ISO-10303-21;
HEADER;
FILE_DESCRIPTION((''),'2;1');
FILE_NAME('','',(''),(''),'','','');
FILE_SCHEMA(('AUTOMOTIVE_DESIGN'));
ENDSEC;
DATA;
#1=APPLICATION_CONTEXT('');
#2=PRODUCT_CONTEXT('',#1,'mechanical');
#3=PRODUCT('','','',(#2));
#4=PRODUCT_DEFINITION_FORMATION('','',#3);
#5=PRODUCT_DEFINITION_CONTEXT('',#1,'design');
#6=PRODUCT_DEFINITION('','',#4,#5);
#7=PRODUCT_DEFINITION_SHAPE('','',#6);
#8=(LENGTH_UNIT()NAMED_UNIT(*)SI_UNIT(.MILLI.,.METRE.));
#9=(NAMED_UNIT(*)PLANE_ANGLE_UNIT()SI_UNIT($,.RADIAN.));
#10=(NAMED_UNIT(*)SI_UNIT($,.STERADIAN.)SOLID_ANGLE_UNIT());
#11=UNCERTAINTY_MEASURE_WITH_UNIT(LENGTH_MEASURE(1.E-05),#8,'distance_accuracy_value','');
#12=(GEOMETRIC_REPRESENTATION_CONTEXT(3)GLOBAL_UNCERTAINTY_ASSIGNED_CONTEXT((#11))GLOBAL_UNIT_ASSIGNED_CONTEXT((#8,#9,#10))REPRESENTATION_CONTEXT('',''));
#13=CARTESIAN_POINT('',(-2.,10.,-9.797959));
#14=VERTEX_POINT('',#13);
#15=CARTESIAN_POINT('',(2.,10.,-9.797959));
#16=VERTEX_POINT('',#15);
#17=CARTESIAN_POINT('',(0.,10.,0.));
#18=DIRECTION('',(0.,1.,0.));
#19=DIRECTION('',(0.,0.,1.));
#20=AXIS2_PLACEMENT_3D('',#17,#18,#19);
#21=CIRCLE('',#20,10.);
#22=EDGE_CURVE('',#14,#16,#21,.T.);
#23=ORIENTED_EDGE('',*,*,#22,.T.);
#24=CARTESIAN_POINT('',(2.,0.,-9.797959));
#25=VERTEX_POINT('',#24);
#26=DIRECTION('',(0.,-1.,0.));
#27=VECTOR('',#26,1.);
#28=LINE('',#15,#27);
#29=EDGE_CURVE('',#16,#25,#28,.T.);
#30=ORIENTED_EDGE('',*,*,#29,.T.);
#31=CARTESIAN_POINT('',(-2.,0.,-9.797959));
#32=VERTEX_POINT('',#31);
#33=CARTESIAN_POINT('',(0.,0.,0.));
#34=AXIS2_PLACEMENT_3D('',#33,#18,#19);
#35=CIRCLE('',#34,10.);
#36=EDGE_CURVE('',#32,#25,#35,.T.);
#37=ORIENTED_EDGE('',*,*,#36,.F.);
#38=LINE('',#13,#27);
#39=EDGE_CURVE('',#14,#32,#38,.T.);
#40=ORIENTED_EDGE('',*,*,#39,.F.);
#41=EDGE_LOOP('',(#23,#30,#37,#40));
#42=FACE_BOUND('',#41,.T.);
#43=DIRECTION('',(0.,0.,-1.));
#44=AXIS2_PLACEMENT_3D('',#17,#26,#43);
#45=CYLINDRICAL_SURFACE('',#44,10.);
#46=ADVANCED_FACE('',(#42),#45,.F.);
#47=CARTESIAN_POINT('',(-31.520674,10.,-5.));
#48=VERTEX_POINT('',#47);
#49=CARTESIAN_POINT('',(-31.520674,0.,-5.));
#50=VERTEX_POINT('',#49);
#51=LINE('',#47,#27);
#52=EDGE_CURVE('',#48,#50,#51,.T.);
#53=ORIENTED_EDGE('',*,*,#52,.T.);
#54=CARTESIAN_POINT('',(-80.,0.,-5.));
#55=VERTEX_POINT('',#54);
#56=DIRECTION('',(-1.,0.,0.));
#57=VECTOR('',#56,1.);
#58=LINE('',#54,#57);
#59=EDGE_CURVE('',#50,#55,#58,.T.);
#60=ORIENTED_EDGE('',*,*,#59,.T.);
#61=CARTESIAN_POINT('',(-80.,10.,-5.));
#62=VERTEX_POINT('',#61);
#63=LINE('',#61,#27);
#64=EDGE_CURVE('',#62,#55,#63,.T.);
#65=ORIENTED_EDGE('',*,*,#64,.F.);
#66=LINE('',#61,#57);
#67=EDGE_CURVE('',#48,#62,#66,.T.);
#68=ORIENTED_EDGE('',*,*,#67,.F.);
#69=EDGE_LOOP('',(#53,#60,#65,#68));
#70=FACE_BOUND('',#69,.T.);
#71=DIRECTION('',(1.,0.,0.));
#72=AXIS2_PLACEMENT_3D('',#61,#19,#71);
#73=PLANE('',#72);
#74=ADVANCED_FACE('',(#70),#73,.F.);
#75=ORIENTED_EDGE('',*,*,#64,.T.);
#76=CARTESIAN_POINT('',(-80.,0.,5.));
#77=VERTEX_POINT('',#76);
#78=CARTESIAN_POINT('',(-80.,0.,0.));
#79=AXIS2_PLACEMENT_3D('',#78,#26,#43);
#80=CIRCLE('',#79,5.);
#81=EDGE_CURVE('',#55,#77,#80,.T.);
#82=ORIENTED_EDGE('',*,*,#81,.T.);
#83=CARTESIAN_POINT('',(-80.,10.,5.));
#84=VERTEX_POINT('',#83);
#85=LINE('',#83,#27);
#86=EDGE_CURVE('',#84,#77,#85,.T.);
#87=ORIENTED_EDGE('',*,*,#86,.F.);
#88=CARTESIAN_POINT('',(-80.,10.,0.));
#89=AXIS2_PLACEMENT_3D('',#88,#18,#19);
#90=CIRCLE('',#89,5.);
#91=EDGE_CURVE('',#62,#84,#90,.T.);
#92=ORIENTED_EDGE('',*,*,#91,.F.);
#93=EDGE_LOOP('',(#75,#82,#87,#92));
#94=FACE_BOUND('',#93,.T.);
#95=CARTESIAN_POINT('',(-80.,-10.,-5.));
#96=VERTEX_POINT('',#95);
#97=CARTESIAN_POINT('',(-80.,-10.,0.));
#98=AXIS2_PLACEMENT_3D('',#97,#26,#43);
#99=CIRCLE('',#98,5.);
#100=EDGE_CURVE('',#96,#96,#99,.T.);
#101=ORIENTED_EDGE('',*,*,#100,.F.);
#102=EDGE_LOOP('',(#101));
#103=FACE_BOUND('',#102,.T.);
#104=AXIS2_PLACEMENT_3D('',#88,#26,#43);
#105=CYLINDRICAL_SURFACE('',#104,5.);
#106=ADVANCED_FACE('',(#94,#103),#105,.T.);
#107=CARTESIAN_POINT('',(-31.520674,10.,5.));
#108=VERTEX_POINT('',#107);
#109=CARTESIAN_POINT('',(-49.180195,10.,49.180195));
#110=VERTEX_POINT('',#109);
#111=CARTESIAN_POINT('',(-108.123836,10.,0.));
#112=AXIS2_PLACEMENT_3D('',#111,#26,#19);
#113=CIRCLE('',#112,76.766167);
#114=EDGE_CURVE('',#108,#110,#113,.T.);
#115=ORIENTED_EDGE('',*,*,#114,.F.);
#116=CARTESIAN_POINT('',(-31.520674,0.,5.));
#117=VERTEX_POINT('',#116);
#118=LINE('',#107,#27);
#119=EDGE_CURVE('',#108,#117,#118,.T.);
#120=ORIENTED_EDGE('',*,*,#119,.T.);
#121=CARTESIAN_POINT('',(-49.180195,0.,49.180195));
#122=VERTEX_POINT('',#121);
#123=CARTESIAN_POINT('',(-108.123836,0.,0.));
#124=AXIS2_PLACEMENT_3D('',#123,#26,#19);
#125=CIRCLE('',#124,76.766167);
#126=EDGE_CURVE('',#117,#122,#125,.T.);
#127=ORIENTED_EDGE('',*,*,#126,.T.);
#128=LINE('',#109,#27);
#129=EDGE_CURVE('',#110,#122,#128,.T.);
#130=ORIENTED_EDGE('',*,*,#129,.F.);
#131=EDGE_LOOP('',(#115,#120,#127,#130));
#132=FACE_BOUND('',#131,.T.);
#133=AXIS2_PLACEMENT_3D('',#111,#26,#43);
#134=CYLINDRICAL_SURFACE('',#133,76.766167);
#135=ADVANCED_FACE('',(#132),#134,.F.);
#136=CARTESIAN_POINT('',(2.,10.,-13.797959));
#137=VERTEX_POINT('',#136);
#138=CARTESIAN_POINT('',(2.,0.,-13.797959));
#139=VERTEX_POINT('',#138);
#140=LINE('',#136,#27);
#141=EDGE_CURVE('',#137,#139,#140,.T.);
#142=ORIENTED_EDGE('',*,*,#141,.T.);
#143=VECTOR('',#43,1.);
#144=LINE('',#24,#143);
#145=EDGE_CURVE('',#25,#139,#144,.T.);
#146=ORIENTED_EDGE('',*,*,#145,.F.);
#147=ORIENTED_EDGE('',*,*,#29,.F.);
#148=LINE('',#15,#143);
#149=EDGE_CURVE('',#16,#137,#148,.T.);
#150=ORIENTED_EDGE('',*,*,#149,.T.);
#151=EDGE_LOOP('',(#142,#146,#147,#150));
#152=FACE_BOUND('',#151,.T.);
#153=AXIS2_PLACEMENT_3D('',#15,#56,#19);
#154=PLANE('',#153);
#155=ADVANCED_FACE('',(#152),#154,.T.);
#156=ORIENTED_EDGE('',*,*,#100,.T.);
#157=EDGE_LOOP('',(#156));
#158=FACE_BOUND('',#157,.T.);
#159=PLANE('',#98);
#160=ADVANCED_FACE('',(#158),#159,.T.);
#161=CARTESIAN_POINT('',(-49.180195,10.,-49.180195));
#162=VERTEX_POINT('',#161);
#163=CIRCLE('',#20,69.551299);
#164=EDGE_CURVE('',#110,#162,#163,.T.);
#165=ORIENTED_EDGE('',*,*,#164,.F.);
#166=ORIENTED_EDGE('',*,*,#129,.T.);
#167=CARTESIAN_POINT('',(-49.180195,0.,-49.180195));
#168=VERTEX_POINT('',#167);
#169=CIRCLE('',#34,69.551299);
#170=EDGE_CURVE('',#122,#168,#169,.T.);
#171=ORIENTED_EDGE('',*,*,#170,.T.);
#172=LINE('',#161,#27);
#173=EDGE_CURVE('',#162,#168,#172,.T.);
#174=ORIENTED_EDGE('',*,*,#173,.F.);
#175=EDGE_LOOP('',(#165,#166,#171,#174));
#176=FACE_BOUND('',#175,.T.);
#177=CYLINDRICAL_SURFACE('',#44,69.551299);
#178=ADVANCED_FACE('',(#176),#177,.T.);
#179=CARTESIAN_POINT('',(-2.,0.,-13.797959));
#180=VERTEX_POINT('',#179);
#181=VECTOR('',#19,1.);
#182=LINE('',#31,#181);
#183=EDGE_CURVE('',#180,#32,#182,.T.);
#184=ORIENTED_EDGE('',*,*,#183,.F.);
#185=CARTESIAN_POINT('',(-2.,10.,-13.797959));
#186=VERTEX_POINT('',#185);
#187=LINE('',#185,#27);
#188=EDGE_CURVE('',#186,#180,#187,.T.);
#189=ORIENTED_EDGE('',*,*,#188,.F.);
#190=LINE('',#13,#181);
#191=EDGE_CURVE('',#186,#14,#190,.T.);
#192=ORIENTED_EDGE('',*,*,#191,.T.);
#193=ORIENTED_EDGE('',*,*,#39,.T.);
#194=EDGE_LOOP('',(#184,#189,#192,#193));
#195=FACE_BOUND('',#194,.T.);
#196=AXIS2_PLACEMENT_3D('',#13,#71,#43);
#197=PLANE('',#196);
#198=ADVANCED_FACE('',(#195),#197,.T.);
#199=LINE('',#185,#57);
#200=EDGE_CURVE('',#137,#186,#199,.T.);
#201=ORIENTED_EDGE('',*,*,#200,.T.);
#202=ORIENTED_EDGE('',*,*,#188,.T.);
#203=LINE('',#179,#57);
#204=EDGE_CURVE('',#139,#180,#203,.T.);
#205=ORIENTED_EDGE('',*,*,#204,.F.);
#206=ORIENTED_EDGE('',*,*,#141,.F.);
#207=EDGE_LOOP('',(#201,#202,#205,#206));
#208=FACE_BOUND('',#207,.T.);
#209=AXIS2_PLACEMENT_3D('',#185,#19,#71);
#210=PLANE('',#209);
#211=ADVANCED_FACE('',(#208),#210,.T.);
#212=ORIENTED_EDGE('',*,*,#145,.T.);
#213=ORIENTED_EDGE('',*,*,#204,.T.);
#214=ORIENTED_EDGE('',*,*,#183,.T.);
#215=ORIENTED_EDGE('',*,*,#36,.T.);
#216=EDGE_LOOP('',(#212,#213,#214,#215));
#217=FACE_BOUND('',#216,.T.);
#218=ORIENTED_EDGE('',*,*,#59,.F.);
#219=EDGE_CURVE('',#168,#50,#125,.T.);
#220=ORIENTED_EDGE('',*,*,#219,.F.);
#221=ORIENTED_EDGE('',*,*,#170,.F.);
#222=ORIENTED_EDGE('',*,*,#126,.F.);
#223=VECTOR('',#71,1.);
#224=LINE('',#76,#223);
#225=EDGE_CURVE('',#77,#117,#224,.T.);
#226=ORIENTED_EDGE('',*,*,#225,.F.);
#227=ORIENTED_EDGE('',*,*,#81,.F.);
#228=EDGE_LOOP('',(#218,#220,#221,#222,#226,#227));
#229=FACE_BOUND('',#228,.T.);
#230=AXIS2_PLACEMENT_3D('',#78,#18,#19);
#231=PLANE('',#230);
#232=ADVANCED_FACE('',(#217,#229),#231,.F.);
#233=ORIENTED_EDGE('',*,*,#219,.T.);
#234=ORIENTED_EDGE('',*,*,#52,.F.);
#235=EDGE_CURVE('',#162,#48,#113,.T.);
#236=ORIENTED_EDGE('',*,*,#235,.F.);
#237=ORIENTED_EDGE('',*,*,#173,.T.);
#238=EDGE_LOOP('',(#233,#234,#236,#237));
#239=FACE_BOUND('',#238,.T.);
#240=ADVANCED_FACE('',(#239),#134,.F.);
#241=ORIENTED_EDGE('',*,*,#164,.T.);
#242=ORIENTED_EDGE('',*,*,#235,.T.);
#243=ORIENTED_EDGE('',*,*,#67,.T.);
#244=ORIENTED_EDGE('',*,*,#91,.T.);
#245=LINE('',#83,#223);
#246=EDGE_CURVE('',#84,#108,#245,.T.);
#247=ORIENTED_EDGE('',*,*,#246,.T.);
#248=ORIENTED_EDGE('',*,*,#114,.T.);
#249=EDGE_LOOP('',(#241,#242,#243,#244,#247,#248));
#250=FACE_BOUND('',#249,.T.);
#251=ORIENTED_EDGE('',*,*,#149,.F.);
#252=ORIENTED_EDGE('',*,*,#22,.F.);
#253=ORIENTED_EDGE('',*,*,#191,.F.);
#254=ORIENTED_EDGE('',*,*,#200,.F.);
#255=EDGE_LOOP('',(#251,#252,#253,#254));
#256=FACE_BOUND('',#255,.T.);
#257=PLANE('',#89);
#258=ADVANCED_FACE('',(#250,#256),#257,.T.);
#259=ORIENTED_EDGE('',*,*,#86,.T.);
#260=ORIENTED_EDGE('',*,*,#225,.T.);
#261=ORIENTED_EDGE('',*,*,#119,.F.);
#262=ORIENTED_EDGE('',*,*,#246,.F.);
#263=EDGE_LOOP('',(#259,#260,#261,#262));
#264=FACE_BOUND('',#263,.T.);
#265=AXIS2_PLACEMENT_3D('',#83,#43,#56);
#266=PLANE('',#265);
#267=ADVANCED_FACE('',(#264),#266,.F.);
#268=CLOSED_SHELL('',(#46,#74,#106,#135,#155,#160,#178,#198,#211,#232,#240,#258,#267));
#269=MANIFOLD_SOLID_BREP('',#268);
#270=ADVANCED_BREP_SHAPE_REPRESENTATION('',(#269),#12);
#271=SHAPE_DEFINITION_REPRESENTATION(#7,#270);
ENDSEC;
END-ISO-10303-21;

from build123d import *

# Parameters (mm, degrees)
EXTRUDE_1_DEPTH = 10
EXTRUDE_START   = 10
SKETCH_2_R      = 5
EXTRUDE_2_DEPTH = 10


with BuildPart() as part:
    # 草图1 → 凸台-拉伸1 (new body)
    with BuildSketch(Plane(origin=(0, 0, 0), x_dir=(1, 0, 0), z_dir=(0, 1, 0))):
        with BuildLine():
            Line((-80, 5), (-31.520674237, 5))
            ThreePointArc((-31.520674237, 5), (-36.841255051, 28.492771834), (-49.180194883, 49.180194883))
            ThreePointArc((-49.180194883, 49.180194883), (69.551298604, 0), (-49.180194883, -49.180194883))
            ThreePointArc((-49.180194883, -49.180194883), (-36.841255051, -28.492771834), (-31.520674237, -5))
            Line((-31.520674237, -5), (-80, -5))
            ThreePointArc((-80, -5), (-85, 0), (-80, 5))
        make_face()
        with BuildLine():
            Line((-2, 9.797958971), (-2, 13.797958971))
            Line((-2, 13.797958971), (2, 13.797958971))
            Line((2, 13.797958971), (2, 9.797958971))
            ThreePointArc((2, 9.797958971), (0, -10), (-2, 9.797958971))
        make_face(mode=Mode.SUBTRACT)
    extrude(amount=EXTRUDE_1_DEPTH)

    # 草图2 → 凸台-拉伸2 (add)
    with BuildSketch(Plane.XZ.offset(EXTRUDE_START)):
        with Locations(Location((-80, 0, 0), (0, 0, 270))):
            Circle(SKETCH_2_R)
    extrude(amount=-EXTRUDE_2_DEPTH)


solid = part.part
